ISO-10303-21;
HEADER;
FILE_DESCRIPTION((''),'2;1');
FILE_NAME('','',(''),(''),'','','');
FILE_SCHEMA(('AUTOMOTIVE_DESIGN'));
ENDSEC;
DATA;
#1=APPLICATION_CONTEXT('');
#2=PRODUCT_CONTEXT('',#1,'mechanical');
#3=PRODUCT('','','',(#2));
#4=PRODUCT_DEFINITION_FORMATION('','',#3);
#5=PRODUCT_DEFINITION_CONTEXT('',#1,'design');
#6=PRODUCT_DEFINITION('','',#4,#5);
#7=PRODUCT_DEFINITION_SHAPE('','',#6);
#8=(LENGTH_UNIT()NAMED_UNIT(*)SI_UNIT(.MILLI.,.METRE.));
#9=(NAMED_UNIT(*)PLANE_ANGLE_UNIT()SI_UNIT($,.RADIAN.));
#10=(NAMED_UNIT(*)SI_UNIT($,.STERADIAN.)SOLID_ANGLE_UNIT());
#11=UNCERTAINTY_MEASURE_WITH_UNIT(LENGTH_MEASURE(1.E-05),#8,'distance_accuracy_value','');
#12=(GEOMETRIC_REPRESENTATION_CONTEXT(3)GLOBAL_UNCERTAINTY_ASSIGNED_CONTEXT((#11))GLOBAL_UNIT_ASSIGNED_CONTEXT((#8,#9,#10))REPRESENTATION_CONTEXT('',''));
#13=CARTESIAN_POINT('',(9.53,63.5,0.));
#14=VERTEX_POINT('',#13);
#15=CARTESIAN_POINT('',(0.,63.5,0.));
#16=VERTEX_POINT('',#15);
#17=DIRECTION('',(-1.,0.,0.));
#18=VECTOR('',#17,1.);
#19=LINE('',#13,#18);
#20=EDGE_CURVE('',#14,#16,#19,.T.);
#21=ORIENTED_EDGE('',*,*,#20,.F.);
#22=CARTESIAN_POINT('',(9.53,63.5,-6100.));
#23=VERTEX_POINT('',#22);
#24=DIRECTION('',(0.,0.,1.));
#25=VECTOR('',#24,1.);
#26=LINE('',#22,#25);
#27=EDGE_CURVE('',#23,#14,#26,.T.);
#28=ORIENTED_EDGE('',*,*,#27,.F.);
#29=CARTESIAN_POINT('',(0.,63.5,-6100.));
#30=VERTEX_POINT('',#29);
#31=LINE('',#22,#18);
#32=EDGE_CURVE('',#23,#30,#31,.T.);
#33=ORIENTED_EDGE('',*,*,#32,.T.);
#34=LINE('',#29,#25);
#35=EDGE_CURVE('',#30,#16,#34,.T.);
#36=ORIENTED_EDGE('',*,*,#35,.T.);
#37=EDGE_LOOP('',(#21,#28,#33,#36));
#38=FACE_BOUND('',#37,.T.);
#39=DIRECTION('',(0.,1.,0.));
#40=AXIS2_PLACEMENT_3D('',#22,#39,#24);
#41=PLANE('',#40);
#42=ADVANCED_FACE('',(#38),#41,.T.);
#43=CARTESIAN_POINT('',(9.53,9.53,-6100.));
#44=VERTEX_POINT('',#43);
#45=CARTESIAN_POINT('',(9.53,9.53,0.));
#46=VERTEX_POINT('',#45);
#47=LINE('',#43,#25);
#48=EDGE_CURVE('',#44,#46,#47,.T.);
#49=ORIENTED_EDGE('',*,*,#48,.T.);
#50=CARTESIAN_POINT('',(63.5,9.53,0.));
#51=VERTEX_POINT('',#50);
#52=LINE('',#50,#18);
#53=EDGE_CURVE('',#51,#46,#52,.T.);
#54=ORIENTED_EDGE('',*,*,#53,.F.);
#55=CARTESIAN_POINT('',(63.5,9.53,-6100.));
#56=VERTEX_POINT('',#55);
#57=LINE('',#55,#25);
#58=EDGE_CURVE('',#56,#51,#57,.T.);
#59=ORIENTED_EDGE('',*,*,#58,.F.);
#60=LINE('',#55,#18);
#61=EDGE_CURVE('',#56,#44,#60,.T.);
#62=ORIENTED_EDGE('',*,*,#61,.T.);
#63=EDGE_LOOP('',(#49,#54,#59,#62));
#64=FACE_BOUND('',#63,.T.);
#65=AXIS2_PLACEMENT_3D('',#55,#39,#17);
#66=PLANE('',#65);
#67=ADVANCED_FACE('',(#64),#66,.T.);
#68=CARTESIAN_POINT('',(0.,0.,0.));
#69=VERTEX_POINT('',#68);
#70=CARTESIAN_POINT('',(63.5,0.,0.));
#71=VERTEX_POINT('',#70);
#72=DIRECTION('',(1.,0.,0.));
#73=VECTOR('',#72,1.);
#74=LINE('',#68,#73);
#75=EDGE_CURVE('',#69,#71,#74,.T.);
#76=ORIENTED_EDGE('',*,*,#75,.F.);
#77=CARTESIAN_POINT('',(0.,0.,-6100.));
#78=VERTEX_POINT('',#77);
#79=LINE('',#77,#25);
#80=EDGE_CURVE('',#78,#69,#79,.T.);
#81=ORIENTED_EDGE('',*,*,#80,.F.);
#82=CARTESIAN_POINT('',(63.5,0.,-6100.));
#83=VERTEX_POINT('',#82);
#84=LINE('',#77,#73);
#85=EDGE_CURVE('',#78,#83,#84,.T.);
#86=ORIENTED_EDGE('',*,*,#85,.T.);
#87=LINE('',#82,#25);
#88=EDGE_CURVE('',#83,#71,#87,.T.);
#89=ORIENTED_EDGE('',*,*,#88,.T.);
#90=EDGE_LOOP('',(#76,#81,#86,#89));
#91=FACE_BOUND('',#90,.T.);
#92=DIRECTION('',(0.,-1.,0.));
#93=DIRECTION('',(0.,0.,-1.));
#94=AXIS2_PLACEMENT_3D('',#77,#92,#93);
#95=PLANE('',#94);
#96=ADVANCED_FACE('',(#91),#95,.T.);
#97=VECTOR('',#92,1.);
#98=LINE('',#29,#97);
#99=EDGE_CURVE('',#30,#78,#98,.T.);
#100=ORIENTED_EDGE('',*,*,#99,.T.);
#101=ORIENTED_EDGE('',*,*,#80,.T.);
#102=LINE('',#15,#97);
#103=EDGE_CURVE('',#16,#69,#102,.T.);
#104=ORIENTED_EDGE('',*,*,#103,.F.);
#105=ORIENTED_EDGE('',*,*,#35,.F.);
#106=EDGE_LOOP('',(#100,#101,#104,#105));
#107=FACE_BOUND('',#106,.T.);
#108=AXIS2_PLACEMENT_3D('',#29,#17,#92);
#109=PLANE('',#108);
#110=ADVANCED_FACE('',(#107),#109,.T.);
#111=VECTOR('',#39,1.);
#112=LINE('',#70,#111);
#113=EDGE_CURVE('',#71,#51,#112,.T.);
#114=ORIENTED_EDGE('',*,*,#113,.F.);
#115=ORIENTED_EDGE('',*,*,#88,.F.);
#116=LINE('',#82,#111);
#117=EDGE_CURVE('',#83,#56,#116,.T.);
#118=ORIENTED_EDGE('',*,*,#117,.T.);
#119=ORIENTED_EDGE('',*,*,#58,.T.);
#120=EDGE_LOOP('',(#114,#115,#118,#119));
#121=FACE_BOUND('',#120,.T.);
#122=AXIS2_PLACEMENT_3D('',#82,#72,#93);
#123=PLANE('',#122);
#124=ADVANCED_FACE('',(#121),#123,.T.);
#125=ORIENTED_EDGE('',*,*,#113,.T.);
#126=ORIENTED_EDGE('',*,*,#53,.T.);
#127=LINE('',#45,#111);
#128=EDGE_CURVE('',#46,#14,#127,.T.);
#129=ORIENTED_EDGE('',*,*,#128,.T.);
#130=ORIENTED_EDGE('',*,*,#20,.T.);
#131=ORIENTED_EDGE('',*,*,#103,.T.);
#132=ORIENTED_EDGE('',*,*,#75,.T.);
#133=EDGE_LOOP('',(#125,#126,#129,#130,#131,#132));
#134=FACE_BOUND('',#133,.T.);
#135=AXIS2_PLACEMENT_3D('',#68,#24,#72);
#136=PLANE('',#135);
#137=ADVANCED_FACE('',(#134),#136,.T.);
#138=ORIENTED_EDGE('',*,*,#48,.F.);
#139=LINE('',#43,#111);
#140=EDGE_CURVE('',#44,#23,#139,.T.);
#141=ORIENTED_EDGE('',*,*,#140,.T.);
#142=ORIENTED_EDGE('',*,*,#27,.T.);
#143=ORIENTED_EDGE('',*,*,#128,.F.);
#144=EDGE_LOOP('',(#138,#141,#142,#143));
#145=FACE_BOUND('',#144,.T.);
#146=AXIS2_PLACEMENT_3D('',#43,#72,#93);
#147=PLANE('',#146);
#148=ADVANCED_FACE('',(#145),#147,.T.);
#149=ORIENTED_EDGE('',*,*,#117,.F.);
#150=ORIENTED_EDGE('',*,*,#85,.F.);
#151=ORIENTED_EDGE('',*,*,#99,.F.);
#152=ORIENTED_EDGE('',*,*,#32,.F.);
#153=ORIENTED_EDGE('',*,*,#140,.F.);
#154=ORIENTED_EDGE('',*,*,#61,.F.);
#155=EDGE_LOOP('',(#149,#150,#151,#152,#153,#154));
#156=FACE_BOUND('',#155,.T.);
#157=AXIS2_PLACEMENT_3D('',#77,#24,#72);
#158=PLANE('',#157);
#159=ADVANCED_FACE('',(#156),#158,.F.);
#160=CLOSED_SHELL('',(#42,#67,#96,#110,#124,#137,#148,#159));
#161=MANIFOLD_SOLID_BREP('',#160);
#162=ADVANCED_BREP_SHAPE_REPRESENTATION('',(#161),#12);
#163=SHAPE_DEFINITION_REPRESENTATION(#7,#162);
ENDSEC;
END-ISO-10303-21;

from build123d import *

# Parameters (mm, degrees)
SALIENTE_EXTRUIR1_DEPTH = 6100


with BuildPart() as part:
    # Croquis1 → Saliente-Extruir1 (new body)
    with BuildSketch(Plane.XY):
        Polygon((0, 63.5), (0, 0), (63.5, 0), (63.5, 9.53), (9.53, 9.53), (9.53, 63.5), align=None)
    extrude(amount=-SALIENTE_EXTRUIR1_DEPTH)


solid = part.part
